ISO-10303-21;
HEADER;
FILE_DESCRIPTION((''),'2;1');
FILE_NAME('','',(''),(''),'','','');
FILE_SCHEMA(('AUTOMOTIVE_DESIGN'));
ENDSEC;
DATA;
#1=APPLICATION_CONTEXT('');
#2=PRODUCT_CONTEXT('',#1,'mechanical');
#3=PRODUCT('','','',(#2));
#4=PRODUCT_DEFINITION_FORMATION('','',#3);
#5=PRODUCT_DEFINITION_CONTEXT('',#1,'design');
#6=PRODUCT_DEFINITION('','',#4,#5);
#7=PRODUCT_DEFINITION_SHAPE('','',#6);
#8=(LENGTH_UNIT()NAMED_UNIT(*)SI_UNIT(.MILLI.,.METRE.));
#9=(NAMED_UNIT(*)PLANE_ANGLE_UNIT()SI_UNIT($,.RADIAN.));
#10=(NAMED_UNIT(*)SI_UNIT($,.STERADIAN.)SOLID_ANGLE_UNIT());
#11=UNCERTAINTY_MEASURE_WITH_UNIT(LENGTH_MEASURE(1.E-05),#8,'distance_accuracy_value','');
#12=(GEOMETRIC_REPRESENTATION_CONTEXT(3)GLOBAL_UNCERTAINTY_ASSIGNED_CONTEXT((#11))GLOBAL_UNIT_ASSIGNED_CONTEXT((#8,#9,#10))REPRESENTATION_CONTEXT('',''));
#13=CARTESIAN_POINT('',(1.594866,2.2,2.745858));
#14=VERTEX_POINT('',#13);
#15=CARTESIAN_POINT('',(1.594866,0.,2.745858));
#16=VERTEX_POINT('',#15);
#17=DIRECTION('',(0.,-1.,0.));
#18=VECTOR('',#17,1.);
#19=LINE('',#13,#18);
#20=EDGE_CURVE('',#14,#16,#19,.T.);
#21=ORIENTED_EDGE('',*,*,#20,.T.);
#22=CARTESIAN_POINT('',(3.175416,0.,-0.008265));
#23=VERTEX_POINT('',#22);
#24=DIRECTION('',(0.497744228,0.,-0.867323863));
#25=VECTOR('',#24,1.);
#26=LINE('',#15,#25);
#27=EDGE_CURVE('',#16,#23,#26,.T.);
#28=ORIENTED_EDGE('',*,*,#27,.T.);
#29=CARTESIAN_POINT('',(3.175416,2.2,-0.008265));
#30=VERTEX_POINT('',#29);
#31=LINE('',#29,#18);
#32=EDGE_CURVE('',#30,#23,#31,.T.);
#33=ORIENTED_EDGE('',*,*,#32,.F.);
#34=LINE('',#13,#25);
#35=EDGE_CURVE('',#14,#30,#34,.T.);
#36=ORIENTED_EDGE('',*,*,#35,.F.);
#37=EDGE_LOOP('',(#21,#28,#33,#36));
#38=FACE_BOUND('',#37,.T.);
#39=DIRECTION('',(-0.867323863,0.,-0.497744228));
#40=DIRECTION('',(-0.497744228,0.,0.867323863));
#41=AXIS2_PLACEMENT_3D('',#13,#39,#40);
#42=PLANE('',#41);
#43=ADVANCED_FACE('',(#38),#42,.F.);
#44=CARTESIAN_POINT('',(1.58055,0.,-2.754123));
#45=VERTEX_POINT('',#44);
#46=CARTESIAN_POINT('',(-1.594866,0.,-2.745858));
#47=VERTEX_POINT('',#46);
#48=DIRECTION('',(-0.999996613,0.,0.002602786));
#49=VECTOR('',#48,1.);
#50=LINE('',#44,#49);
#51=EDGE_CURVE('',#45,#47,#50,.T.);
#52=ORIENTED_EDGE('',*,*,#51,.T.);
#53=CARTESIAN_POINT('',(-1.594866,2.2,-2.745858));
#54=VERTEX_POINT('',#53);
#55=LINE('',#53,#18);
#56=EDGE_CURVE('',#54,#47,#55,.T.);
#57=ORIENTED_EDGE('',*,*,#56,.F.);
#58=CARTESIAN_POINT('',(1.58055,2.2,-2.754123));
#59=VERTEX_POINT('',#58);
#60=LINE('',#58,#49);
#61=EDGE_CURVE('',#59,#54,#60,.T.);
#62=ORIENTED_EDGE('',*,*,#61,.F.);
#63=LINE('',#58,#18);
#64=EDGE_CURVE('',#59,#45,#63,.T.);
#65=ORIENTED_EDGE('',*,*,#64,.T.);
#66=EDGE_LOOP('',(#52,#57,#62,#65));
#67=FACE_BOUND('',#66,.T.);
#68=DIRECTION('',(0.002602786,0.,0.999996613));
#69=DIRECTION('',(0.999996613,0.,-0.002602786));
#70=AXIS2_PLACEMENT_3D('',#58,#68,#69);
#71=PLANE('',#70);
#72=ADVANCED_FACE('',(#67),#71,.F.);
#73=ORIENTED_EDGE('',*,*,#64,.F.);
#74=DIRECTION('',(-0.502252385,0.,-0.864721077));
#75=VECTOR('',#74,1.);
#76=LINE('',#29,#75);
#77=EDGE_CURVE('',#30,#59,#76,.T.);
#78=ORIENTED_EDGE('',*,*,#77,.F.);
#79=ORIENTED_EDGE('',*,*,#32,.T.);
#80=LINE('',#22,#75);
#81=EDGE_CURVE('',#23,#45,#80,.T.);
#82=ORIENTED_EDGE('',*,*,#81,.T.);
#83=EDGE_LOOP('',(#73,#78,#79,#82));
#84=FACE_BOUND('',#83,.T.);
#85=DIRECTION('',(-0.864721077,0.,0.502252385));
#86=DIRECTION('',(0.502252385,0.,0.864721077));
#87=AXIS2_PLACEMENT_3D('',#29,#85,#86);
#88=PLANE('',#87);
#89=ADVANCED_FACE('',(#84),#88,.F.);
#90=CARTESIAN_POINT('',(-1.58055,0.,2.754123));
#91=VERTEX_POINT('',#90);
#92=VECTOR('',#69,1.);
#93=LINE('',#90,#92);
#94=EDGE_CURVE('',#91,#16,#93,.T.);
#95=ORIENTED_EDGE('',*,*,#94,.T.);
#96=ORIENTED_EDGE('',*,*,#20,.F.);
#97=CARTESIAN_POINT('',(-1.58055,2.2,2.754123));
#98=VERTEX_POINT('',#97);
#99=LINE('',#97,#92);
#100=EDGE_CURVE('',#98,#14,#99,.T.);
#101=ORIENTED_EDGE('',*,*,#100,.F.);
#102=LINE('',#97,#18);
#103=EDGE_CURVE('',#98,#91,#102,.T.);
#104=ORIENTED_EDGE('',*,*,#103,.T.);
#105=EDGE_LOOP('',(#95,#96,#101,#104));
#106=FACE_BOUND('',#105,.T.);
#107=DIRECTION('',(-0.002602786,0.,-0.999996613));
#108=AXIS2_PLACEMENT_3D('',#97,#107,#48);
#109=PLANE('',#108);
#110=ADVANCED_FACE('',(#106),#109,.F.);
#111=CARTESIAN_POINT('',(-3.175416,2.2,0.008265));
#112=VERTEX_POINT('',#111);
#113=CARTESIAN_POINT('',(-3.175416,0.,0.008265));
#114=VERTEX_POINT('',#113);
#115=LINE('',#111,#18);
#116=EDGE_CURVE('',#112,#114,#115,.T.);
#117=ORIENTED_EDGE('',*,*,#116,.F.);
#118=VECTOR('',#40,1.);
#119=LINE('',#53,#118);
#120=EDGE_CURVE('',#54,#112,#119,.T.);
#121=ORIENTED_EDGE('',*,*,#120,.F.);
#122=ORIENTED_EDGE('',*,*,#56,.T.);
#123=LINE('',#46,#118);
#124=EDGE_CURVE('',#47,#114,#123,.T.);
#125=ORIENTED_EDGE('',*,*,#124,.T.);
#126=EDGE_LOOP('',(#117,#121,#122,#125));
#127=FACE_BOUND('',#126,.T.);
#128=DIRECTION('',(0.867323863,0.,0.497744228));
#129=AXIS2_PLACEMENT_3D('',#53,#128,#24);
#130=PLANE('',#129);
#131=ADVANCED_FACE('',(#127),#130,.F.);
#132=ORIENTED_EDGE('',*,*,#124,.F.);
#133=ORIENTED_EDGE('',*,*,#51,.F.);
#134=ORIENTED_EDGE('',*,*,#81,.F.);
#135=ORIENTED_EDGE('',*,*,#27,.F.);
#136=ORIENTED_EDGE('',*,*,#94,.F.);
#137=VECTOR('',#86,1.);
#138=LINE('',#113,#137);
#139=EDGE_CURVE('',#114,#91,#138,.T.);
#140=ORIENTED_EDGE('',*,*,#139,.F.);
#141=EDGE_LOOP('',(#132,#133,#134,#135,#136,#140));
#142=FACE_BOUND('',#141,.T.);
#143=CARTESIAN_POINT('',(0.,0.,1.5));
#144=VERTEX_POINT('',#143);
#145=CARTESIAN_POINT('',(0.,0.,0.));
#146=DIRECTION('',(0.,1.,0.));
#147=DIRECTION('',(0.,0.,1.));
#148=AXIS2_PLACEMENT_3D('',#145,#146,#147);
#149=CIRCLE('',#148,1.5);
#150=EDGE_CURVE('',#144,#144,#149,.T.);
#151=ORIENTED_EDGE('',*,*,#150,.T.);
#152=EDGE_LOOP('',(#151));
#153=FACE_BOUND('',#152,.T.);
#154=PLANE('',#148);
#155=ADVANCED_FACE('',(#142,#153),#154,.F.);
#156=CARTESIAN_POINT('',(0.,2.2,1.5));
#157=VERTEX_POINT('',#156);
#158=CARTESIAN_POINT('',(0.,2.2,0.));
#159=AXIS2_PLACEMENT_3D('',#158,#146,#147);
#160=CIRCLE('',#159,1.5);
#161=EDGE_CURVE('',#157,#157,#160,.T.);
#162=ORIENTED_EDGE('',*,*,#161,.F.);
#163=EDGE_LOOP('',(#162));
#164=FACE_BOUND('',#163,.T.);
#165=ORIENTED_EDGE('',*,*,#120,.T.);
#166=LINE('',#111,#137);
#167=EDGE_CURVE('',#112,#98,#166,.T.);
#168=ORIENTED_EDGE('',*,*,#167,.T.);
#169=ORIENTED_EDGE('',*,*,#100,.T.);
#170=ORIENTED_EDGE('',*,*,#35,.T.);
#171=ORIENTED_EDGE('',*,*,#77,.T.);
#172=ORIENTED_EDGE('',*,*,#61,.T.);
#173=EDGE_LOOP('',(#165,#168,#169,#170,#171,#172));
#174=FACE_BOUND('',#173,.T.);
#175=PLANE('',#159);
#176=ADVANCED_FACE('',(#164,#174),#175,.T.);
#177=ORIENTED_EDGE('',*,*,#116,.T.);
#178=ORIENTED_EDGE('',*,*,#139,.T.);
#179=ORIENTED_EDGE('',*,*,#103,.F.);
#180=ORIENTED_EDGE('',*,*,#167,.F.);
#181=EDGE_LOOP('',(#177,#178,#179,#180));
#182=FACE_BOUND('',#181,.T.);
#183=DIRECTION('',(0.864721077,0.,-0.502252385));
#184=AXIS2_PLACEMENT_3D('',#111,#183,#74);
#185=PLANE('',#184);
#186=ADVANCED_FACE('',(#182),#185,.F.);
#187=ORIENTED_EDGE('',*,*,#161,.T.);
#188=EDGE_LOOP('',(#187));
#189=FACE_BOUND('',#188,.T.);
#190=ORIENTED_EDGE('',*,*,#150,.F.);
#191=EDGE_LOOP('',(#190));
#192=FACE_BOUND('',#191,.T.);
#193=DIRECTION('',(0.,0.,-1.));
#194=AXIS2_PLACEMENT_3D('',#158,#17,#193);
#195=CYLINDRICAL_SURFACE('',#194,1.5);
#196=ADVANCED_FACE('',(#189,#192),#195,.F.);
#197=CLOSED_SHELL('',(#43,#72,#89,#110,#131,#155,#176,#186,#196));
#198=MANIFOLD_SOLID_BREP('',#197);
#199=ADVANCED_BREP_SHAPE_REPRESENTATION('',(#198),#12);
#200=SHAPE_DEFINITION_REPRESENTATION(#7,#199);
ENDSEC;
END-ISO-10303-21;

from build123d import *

# Parameters (mm, degrees)
SKETCH1_R           = 1.5
BOSS_EXTRUDE1_DEPTH = 2.2


with BuildPart() as part:
    # Sketch1 → Boss-Extrude1 (new body)
    with BuildSketch(Plane(origin=(0, 0, 0), x_dir=(1, 0, 0), z_dir=(0, 1, 0))):
        Polygon((1.580550202, 2.754123162), (-1.594865523, 2.745858208), (-3.175415725, -0.008264955), (-1.580550202, -2.754123162), (1.594865523, -2.745858208), (3.175415725, 0.008264955), align=None)
        with Locations(Location((0, 0, 0), (0, 0, 270))):
            Circle(SKETCH1_R, mode=Mode.SUBTRACT)
    extrude(amount=BOSS_EXTRUDE1_DEPTH)


solid = part.part
